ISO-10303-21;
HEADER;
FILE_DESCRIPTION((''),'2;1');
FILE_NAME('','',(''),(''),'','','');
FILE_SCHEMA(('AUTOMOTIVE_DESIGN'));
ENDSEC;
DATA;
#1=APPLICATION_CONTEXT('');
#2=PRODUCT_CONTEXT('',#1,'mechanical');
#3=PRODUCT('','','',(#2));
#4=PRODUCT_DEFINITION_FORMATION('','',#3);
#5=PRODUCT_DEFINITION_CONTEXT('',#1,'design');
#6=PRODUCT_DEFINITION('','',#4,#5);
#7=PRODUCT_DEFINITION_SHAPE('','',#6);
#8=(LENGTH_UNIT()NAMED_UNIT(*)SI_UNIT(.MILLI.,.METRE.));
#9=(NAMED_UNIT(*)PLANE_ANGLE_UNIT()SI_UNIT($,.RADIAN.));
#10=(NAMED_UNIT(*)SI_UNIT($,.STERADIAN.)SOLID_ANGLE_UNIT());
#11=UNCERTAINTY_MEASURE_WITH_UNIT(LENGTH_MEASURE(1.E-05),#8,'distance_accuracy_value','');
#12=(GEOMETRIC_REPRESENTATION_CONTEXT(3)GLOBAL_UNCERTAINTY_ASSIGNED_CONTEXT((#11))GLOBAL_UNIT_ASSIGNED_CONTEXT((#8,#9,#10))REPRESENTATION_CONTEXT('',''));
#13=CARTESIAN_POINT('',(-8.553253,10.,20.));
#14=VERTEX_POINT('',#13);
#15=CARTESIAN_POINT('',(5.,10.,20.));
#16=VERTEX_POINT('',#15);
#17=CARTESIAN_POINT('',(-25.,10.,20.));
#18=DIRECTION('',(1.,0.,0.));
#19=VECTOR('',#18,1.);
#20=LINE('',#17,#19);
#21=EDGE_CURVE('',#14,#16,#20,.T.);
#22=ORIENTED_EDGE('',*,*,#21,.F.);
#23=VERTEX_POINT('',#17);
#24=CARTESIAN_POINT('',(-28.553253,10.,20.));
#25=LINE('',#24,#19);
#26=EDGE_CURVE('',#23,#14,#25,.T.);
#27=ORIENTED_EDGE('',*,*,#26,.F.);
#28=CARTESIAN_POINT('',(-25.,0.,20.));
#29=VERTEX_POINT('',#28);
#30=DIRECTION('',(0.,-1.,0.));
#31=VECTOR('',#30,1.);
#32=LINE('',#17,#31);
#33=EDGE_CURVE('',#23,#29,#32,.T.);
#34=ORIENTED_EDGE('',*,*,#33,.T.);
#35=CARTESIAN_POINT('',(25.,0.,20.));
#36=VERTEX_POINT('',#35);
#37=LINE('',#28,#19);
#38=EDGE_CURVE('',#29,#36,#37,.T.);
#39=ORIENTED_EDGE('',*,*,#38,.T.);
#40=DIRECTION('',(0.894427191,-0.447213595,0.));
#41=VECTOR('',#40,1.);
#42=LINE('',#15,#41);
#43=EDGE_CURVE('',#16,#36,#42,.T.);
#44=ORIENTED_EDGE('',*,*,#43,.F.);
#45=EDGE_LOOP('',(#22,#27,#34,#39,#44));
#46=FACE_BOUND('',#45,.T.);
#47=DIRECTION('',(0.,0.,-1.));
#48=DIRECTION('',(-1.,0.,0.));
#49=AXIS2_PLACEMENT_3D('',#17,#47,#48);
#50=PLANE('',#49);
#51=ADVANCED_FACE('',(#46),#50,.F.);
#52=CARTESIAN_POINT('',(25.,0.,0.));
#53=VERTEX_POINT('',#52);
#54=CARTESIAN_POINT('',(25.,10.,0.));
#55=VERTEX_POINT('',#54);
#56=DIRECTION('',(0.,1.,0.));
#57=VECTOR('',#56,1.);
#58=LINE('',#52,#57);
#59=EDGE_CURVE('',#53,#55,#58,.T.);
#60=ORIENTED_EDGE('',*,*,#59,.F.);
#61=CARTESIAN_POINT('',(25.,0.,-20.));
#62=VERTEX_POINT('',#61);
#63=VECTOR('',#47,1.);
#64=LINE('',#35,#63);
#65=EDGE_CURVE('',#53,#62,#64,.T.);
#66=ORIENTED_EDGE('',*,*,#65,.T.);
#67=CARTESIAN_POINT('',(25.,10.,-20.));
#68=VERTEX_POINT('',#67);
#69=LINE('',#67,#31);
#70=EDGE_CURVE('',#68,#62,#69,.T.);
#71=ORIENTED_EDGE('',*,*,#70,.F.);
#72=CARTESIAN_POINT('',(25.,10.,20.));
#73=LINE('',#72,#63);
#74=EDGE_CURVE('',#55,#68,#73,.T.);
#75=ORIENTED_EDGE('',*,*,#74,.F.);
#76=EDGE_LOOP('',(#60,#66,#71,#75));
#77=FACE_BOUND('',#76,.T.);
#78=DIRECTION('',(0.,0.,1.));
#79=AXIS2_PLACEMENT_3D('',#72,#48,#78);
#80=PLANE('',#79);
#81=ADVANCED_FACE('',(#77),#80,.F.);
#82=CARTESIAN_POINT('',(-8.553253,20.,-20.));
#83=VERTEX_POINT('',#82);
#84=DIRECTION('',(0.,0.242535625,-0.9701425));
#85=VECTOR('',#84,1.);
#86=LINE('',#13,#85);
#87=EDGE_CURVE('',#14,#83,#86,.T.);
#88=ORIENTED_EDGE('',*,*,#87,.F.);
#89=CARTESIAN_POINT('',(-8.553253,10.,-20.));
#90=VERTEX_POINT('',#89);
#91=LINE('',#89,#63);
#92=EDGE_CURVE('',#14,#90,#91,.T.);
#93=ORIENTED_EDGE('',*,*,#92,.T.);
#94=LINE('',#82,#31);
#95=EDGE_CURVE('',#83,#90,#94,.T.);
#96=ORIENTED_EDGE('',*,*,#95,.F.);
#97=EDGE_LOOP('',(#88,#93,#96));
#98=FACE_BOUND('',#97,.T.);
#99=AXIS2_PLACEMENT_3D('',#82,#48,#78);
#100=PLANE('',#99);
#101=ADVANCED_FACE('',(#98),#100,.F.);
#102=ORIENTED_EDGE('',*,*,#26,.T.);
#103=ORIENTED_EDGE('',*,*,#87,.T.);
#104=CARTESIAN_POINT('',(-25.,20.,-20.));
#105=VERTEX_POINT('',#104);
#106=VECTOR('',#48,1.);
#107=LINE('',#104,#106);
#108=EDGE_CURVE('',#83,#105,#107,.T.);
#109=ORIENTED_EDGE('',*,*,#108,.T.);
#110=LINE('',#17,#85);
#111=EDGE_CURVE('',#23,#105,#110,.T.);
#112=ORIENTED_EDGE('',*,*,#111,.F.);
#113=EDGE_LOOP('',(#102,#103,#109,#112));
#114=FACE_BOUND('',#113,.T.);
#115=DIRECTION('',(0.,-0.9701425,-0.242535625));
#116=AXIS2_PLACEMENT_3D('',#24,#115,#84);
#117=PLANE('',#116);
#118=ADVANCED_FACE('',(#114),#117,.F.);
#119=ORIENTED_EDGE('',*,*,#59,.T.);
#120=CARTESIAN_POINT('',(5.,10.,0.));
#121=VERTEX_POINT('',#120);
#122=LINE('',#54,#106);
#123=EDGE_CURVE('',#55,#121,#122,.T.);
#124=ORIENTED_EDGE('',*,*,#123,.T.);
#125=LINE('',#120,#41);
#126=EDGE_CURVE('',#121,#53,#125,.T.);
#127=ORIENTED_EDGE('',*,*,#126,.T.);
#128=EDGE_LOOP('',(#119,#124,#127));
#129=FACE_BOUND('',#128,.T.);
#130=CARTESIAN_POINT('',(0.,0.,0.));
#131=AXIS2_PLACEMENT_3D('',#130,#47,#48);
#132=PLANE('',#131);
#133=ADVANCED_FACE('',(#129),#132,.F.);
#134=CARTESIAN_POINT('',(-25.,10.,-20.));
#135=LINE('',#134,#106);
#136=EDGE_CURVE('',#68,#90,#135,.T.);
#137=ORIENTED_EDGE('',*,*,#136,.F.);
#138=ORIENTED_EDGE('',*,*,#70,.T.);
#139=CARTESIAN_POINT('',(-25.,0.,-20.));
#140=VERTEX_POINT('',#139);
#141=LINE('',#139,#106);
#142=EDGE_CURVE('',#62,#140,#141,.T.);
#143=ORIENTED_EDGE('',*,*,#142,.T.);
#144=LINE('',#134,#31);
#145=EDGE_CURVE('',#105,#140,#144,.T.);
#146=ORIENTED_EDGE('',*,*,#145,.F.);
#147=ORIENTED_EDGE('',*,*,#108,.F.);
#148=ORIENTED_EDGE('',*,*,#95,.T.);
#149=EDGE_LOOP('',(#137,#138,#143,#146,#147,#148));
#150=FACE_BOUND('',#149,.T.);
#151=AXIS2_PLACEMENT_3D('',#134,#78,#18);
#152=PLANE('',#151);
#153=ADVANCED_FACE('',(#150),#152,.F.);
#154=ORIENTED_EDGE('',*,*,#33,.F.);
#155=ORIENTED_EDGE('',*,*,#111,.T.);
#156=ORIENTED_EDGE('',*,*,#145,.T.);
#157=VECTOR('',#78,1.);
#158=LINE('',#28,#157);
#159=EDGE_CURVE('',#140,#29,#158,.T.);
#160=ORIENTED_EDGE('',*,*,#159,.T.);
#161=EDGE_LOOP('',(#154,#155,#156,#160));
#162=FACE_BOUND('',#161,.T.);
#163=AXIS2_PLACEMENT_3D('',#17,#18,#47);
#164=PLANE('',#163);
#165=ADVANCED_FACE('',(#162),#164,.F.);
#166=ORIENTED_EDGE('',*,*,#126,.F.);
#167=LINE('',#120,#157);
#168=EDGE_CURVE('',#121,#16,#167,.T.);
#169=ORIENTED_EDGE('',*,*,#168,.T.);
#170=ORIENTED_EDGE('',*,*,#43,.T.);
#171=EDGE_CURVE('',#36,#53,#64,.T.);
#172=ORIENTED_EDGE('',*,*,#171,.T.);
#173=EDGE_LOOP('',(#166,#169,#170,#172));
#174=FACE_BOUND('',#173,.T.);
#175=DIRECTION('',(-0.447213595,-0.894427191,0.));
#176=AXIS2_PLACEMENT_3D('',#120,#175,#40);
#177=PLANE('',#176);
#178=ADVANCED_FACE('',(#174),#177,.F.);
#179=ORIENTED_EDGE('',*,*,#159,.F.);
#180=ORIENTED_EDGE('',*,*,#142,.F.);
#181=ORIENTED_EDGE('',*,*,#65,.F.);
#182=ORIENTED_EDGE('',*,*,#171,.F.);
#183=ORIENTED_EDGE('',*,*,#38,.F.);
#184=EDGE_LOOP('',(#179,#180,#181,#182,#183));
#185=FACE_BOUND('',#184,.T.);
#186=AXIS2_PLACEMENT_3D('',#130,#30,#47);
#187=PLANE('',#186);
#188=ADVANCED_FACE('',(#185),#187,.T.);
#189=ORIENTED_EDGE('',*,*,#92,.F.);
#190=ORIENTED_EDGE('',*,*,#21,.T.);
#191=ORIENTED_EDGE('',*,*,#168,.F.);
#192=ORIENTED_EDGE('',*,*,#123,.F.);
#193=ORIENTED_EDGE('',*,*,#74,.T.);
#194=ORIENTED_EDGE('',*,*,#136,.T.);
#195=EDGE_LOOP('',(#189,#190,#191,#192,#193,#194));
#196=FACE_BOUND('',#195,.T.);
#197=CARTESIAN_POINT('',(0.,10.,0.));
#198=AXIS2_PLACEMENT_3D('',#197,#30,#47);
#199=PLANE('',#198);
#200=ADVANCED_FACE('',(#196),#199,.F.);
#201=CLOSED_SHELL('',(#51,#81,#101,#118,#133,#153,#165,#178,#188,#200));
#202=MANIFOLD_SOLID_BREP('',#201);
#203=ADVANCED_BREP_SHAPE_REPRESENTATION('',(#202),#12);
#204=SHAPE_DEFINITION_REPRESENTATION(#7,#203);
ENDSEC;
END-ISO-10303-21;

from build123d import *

# Parameters (mm, degrees)
SKETCH2_W           = 50
SKETCH2_H           = 40
BOSS_EXTRUDE1_DEPTH = 10
SKETCH3_W           = 16.446746845
SKETCH3_H           = 40
BOSS_EXTRUDE3_DEPTH = 10
CUT_EXTRUDE2_DEPTH  = 20
CUT_EXTRUDE3_DEPTH  = 20


with BuildPart() as part:
    # Sketch2 → Boss-Extrude1 (new body)
    with BuildSketch(Plane(origin=(0, 0, 0), x_dir=(1, 0, 0), z_dir=(0, 1, 0))):
        Rectangle(SKETCH2_W, SKETCH2_H)
    extrude(amount=BOSS_EXTRUDE1_DEPTH)

    # Sketch3 → Boss-Extrude3 (add)
    with BuildSketch(Plane(origin=(0, 10, 0), x_dir=(1, 0, 0), z_dir=(0, 1, 0))):
        with Locations((-16.776626578, 0)):
            Rectangle(SKETCH3_W, SKETCH3_H)
    extrude(amount=BOSS_EXTRUDE3_DEPTH)

    # Sketch5 → Cut-Extrude2 (cut)
    with BuildSketch(Plane(origin=(-8.553253155, 0, 0), x_dir=(0, 0, -1), z_dir=(1, 0, 0))):
        Polygon((-20, 10), (20, 20), (-20, 20), align=None)
    extrude(amount=-CUT_EXTRUDE2_DEPTH, mode=Mode.SUBTRACT)

    # Sketch6 → Cut-Extrude3 (cut)
    with BuildSketch(Plane.XY.offset(20)):
        Polygon((5, 10), (25, 0), (25, 10), align=None)
    extrude(amount=-CUT_EXTRUDE3_DEPTH, mode=Mode.SUBTRACT)


solid = part.part
